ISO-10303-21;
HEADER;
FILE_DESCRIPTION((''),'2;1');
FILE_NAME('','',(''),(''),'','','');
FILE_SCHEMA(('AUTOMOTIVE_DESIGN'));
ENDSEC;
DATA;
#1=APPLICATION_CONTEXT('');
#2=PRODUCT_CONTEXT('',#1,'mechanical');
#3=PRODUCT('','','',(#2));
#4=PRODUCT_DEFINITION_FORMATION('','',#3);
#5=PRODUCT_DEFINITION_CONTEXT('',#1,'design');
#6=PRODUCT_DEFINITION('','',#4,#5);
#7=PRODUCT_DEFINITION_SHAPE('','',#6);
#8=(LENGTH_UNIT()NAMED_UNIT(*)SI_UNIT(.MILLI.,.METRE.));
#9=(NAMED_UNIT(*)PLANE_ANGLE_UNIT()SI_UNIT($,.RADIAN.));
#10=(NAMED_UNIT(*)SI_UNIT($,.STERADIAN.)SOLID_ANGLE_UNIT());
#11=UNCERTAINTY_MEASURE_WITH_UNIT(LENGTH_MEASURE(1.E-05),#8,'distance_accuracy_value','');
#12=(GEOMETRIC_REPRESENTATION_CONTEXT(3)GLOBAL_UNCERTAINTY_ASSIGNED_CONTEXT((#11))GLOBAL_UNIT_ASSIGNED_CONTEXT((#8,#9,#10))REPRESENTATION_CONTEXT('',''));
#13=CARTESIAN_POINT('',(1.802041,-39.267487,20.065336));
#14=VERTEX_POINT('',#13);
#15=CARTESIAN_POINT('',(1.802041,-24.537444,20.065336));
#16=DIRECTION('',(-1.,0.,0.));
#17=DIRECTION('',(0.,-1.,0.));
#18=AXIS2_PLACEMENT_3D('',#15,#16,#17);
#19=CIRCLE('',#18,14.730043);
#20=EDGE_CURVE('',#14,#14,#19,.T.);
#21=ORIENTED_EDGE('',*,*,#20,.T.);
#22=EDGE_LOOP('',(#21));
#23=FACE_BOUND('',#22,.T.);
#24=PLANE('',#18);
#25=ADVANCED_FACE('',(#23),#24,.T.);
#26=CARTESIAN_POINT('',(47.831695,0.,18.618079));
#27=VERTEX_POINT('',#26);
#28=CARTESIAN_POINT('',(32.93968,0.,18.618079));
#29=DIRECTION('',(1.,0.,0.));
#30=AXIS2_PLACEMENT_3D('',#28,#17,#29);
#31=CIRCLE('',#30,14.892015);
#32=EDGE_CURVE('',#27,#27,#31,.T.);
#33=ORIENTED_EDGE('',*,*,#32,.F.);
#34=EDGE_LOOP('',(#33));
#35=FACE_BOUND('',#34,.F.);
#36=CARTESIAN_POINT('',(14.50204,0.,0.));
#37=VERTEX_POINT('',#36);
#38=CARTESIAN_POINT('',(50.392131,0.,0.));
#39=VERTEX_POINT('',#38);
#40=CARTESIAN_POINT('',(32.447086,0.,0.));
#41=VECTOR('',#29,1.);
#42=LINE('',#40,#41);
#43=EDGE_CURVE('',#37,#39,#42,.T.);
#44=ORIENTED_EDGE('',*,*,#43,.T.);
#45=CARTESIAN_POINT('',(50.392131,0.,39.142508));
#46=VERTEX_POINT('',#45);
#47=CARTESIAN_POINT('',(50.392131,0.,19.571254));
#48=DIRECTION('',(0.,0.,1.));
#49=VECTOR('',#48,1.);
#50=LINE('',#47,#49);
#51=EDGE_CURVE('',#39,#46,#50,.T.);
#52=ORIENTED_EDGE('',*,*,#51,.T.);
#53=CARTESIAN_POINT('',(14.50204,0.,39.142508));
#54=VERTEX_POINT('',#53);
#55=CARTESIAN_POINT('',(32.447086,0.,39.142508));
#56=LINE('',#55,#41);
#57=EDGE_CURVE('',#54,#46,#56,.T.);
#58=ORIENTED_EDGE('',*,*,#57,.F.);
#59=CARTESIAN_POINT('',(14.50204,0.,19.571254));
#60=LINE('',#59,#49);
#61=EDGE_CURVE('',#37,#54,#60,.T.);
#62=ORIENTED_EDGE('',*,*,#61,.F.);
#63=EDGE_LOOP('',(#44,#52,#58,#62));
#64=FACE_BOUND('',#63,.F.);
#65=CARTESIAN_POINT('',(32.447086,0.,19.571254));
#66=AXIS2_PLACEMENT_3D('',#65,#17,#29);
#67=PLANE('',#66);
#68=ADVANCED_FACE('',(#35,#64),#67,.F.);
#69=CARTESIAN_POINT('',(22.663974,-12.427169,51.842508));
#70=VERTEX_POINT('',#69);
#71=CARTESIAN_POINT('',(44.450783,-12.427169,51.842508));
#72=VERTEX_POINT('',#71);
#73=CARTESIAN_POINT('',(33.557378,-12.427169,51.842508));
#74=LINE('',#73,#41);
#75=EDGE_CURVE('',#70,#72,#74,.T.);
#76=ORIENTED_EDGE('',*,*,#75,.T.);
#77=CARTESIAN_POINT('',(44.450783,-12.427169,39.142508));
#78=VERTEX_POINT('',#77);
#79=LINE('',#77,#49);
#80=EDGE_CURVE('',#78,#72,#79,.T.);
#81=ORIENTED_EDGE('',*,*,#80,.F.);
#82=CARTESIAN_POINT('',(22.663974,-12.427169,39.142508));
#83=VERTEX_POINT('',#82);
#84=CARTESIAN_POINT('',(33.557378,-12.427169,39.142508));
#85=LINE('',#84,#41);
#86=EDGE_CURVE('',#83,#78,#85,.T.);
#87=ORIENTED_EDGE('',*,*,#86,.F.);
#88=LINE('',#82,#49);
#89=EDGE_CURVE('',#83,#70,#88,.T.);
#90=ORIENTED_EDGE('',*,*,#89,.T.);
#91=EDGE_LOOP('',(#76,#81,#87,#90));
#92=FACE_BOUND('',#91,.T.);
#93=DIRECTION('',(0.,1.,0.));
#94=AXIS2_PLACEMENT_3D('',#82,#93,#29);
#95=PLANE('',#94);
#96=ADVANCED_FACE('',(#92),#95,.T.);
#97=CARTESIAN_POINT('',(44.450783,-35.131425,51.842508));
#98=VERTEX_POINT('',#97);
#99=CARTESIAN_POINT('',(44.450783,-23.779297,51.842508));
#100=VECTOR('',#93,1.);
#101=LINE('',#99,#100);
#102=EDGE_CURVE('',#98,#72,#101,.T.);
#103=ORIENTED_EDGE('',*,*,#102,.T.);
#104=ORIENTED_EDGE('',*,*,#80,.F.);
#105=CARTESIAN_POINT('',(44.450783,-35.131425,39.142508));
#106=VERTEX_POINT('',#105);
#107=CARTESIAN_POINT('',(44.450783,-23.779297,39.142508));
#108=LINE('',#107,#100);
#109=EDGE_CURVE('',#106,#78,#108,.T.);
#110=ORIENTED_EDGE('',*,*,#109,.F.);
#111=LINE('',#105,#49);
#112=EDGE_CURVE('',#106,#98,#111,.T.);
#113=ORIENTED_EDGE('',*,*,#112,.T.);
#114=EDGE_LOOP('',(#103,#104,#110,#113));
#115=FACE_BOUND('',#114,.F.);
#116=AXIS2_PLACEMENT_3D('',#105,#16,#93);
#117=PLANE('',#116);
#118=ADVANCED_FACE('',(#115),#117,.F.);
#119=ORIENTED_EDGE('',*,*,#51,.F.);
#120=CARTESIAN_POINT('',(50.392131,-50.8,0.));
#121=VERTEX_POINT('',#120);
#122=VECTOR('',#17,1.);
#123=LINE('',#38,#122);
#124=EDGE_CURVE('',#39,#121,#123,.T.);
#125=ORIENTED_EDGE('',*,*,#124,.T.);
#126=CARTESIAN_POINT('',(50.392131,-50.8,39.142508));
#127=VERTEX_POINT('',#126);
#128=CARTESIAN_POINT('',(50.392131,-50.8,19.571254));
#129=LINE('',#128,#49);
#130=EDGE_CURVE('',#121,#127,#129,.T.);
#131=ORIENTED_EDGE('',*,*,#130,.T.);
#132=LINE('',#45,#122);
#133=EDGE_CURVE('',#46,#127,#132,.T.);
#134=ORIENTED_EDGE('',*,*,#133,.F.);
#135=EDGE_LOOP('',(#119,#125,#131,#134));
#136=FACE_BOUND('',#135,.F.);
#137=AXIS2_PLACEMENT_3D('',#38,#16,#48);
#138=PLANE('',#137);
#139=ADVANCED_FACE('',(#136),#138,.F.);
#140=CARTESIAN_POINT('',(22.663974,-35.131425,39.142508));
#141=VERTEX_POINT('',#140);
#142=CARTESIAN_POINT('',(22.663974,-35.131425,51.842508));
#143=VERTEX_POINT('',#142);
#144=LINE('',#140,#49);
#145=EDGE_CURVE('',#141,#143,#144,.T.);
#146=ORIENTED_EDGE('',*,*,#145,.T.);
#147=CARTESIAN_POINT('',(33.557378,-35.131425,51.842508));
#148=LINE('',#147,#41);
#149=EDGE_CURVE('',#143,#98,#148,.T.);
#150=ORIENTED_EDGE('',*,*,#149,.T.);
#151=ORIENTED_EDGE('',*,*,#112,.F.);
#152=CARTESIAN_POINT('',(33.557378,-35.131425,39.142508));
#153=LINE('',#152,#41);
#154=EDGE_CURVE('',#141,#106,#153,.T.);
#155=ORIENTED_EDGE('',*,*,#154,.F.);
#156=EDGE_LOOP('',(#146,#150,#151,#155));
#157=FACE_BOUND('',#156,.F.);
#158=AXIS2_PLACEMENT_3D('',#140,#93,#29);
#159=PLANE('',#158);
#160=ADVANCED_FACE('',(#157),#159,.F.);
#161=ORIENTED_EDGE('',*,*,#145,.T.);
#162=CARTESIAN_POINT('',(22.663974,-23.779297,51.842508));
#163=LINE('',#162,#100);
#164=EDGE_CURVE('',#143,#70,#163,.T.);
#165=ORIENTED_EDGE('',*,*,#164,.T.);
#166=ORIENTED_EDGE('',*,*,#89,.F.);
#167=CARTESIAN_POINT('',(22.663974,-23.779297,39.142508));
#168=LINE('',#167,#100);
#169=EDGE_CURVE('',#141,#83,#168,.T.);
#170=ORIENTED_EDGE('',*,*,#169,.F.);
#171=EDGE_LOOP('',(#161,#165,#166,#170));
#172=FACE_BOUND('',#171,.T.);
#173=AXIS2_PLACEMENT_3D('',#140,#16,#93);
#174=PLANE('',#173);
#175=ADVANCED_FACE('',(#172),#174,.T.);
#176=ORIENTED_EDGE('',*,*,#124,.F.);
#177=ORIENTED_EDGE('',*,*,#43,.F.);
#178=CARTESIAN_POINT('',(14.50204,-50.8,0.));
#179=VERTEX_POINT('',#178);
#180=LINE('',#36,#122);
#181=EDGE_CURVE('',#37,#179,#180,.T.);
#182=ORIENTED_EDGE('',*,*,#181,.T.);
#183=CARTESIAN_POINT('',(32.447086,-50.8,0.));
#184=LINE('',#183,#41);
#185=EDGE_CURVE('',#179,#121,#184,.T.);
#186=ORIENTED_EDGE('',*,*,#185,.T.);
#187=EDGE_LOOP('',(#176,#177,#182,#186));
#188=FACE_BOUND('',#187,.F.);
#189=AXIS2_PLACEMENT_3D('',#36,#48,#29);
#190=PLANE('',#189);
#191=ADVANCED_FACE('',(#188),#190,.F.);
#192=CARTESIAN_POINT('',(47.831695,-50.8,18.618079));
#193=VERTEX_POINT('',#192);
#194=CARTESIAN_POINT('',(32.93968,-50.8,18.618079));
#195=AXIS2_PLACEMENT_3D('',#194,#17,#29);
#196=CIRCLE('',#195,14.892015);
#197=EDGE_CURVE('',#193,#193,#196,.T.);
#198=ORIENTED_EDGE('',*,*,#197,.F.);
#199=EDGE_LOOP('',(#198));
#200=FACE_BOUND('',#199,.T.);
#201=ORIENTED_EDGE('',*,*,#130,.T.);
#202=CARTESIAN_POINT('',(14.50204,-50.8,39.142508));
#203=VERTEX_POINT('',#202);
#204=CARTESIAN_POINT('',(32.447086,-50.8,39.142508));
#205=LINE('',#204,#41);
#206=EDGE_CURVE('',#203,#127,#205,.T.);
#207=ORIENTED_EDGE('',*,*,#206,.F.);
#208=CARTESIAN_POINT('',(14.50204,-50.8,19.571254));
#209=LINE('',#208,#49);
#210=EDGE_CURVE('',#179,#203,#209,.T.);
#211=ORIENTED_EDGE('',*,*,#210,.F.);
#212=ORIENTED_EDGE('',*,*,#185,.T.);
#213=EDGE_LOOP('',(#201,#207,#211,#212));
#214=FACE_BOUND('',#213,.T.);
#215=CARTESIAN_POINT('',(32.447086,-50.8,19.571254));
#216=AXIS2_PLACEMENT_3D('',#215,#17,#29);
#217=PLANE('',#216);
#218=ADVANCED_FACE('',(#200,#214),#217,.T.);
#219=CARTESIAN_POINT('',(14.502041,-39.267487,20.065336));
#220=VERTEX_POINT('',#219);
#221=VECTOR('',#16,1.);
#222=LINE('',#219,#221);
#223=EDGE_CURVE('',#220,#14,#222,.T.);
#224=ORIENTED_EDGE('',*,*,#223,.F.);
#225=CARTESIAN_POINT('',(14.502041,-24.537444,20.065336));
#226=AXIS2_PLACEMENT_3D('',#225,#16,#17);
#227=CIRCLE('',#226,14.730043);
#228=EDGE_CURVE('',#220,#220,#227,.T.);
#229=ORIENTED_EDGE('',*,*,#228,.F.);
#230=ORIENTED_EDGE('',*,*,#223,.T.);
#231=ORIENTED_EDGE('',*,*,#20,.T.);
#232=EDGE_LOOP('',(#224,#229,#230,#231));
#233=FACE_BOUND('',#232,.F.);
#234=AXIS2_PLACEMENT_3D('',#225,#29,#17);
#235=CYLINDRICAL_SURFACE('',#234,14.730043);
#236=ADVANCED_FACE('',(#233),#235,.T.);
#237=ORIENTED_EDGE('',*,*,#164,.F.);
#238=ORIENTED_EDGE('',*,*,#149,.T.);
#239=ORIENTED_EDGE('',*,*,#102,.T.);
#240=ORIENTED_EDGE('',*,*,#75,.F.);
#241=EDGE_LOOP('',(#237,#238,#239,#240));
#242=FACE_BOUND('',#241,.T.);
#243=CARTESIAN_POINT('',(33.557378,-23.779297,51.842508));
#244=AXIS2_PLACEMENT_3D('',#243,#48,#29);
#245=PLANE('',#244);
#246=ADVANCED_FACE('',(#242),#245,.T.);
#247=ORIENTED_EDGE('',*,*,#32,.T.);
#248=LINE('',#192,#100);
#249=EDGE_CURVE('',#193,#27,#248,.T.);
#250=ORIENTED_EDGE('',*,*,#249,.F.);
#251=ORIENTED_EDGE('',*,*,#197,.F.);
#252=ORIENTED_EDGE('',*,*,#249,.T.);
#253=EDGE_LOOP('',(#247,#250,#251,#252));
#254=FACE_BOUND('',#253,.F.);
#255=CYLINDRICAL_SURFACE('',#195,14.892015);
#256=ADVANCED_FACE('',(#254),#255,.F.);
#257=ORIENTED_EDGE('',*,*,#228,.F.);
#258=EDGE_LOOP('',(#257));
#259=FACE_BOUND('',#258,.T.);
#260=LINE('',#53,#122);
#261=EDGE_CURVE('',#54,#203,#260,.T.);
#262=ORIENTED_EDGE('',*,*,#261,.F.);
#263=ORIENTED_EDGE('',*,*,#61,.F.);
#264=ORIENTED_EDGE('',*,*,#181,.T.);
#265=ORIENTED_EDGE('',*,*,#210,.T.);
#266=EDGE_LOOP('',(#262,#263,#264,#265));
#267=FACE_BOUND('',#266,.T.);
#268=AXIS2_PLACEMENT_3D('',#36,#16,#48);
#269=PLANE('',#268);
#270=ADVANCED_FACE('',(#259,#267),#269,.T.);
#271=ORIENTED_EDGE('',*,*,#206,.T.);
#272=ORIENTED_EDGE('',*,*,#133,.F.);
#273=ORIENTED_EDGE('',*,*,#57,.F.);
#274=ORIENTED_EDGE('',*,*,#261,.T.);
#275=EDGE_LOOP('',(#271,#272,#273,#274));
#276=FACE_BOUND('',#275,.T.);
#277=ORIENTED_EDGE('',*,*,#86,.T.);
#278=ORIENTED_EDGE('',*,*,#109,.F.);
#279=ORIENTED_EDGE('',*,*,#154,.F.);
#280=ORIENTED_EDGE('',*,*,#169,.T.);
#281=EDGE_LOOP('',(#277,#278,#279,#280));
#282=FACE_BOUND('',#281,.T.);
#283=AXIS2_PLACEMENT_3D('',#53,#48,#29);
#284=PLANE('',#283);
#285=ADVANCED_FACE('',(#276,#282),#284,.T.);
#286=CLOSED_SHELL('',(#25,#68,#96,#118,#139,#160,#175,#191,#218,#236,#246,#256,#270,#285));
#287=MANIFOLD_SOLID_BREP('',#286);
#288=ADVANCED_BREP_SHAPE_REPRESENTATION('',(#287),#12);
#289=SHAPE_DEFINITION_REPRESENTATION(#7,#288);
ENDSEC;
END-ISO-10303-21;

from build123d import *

# Parameters (mm, degrees)
F0_W     = 35.890091
F0_H     = 39.142508
F1_DEPTH = 50.8
F2_R     = 14.892015
F3_DEPTH = 50.8
F4_R     = 14.730043
F5_DEPTH = 12.7
F6_W     = 21.786809
F6_H     = 22.704257
F7_DEPTH = 12.7


with BuildPart() as f1:
    # F0 (on Front) → F1 (new body)
    with BuildSketch(Plane.XZ):
        with Locations((32.447086, 19.571254)):
            Rectangle(F0_W, F0_H)
    extrude(amount=F1_DEPTH)

    # F2 (on face) → F3 (cut)
    with BuildSketch(Plane.XZ.offset(50.8)):
        with Locations((32.93968, 18.618079)):
            Circle(F2_R)
    extrude(amount=-F3_DEPTH, mode=Mode.SUBTRACT)

    # F4 (on face) → F5 (join)
    with BuildSketch(Plane(origin=(14.502041, 0, 0), x_dir=(0, -1, 0), z_dir=(-1, 0, 0))):
        with Locations((24.537444, 20.065336)):
            Circle(F4_R)
    extrude(amount=F5_DEPTH)

    # F6 (on face) → F7 (join)
    with BuildSketch(Plane.XY.offset(39.142508)):
        with Locations((33.557378, -23.779297)):
            Rectangle(F6_W, F6_H)
    extrude(amount=F7_DEPTH)


solid = f1.part
